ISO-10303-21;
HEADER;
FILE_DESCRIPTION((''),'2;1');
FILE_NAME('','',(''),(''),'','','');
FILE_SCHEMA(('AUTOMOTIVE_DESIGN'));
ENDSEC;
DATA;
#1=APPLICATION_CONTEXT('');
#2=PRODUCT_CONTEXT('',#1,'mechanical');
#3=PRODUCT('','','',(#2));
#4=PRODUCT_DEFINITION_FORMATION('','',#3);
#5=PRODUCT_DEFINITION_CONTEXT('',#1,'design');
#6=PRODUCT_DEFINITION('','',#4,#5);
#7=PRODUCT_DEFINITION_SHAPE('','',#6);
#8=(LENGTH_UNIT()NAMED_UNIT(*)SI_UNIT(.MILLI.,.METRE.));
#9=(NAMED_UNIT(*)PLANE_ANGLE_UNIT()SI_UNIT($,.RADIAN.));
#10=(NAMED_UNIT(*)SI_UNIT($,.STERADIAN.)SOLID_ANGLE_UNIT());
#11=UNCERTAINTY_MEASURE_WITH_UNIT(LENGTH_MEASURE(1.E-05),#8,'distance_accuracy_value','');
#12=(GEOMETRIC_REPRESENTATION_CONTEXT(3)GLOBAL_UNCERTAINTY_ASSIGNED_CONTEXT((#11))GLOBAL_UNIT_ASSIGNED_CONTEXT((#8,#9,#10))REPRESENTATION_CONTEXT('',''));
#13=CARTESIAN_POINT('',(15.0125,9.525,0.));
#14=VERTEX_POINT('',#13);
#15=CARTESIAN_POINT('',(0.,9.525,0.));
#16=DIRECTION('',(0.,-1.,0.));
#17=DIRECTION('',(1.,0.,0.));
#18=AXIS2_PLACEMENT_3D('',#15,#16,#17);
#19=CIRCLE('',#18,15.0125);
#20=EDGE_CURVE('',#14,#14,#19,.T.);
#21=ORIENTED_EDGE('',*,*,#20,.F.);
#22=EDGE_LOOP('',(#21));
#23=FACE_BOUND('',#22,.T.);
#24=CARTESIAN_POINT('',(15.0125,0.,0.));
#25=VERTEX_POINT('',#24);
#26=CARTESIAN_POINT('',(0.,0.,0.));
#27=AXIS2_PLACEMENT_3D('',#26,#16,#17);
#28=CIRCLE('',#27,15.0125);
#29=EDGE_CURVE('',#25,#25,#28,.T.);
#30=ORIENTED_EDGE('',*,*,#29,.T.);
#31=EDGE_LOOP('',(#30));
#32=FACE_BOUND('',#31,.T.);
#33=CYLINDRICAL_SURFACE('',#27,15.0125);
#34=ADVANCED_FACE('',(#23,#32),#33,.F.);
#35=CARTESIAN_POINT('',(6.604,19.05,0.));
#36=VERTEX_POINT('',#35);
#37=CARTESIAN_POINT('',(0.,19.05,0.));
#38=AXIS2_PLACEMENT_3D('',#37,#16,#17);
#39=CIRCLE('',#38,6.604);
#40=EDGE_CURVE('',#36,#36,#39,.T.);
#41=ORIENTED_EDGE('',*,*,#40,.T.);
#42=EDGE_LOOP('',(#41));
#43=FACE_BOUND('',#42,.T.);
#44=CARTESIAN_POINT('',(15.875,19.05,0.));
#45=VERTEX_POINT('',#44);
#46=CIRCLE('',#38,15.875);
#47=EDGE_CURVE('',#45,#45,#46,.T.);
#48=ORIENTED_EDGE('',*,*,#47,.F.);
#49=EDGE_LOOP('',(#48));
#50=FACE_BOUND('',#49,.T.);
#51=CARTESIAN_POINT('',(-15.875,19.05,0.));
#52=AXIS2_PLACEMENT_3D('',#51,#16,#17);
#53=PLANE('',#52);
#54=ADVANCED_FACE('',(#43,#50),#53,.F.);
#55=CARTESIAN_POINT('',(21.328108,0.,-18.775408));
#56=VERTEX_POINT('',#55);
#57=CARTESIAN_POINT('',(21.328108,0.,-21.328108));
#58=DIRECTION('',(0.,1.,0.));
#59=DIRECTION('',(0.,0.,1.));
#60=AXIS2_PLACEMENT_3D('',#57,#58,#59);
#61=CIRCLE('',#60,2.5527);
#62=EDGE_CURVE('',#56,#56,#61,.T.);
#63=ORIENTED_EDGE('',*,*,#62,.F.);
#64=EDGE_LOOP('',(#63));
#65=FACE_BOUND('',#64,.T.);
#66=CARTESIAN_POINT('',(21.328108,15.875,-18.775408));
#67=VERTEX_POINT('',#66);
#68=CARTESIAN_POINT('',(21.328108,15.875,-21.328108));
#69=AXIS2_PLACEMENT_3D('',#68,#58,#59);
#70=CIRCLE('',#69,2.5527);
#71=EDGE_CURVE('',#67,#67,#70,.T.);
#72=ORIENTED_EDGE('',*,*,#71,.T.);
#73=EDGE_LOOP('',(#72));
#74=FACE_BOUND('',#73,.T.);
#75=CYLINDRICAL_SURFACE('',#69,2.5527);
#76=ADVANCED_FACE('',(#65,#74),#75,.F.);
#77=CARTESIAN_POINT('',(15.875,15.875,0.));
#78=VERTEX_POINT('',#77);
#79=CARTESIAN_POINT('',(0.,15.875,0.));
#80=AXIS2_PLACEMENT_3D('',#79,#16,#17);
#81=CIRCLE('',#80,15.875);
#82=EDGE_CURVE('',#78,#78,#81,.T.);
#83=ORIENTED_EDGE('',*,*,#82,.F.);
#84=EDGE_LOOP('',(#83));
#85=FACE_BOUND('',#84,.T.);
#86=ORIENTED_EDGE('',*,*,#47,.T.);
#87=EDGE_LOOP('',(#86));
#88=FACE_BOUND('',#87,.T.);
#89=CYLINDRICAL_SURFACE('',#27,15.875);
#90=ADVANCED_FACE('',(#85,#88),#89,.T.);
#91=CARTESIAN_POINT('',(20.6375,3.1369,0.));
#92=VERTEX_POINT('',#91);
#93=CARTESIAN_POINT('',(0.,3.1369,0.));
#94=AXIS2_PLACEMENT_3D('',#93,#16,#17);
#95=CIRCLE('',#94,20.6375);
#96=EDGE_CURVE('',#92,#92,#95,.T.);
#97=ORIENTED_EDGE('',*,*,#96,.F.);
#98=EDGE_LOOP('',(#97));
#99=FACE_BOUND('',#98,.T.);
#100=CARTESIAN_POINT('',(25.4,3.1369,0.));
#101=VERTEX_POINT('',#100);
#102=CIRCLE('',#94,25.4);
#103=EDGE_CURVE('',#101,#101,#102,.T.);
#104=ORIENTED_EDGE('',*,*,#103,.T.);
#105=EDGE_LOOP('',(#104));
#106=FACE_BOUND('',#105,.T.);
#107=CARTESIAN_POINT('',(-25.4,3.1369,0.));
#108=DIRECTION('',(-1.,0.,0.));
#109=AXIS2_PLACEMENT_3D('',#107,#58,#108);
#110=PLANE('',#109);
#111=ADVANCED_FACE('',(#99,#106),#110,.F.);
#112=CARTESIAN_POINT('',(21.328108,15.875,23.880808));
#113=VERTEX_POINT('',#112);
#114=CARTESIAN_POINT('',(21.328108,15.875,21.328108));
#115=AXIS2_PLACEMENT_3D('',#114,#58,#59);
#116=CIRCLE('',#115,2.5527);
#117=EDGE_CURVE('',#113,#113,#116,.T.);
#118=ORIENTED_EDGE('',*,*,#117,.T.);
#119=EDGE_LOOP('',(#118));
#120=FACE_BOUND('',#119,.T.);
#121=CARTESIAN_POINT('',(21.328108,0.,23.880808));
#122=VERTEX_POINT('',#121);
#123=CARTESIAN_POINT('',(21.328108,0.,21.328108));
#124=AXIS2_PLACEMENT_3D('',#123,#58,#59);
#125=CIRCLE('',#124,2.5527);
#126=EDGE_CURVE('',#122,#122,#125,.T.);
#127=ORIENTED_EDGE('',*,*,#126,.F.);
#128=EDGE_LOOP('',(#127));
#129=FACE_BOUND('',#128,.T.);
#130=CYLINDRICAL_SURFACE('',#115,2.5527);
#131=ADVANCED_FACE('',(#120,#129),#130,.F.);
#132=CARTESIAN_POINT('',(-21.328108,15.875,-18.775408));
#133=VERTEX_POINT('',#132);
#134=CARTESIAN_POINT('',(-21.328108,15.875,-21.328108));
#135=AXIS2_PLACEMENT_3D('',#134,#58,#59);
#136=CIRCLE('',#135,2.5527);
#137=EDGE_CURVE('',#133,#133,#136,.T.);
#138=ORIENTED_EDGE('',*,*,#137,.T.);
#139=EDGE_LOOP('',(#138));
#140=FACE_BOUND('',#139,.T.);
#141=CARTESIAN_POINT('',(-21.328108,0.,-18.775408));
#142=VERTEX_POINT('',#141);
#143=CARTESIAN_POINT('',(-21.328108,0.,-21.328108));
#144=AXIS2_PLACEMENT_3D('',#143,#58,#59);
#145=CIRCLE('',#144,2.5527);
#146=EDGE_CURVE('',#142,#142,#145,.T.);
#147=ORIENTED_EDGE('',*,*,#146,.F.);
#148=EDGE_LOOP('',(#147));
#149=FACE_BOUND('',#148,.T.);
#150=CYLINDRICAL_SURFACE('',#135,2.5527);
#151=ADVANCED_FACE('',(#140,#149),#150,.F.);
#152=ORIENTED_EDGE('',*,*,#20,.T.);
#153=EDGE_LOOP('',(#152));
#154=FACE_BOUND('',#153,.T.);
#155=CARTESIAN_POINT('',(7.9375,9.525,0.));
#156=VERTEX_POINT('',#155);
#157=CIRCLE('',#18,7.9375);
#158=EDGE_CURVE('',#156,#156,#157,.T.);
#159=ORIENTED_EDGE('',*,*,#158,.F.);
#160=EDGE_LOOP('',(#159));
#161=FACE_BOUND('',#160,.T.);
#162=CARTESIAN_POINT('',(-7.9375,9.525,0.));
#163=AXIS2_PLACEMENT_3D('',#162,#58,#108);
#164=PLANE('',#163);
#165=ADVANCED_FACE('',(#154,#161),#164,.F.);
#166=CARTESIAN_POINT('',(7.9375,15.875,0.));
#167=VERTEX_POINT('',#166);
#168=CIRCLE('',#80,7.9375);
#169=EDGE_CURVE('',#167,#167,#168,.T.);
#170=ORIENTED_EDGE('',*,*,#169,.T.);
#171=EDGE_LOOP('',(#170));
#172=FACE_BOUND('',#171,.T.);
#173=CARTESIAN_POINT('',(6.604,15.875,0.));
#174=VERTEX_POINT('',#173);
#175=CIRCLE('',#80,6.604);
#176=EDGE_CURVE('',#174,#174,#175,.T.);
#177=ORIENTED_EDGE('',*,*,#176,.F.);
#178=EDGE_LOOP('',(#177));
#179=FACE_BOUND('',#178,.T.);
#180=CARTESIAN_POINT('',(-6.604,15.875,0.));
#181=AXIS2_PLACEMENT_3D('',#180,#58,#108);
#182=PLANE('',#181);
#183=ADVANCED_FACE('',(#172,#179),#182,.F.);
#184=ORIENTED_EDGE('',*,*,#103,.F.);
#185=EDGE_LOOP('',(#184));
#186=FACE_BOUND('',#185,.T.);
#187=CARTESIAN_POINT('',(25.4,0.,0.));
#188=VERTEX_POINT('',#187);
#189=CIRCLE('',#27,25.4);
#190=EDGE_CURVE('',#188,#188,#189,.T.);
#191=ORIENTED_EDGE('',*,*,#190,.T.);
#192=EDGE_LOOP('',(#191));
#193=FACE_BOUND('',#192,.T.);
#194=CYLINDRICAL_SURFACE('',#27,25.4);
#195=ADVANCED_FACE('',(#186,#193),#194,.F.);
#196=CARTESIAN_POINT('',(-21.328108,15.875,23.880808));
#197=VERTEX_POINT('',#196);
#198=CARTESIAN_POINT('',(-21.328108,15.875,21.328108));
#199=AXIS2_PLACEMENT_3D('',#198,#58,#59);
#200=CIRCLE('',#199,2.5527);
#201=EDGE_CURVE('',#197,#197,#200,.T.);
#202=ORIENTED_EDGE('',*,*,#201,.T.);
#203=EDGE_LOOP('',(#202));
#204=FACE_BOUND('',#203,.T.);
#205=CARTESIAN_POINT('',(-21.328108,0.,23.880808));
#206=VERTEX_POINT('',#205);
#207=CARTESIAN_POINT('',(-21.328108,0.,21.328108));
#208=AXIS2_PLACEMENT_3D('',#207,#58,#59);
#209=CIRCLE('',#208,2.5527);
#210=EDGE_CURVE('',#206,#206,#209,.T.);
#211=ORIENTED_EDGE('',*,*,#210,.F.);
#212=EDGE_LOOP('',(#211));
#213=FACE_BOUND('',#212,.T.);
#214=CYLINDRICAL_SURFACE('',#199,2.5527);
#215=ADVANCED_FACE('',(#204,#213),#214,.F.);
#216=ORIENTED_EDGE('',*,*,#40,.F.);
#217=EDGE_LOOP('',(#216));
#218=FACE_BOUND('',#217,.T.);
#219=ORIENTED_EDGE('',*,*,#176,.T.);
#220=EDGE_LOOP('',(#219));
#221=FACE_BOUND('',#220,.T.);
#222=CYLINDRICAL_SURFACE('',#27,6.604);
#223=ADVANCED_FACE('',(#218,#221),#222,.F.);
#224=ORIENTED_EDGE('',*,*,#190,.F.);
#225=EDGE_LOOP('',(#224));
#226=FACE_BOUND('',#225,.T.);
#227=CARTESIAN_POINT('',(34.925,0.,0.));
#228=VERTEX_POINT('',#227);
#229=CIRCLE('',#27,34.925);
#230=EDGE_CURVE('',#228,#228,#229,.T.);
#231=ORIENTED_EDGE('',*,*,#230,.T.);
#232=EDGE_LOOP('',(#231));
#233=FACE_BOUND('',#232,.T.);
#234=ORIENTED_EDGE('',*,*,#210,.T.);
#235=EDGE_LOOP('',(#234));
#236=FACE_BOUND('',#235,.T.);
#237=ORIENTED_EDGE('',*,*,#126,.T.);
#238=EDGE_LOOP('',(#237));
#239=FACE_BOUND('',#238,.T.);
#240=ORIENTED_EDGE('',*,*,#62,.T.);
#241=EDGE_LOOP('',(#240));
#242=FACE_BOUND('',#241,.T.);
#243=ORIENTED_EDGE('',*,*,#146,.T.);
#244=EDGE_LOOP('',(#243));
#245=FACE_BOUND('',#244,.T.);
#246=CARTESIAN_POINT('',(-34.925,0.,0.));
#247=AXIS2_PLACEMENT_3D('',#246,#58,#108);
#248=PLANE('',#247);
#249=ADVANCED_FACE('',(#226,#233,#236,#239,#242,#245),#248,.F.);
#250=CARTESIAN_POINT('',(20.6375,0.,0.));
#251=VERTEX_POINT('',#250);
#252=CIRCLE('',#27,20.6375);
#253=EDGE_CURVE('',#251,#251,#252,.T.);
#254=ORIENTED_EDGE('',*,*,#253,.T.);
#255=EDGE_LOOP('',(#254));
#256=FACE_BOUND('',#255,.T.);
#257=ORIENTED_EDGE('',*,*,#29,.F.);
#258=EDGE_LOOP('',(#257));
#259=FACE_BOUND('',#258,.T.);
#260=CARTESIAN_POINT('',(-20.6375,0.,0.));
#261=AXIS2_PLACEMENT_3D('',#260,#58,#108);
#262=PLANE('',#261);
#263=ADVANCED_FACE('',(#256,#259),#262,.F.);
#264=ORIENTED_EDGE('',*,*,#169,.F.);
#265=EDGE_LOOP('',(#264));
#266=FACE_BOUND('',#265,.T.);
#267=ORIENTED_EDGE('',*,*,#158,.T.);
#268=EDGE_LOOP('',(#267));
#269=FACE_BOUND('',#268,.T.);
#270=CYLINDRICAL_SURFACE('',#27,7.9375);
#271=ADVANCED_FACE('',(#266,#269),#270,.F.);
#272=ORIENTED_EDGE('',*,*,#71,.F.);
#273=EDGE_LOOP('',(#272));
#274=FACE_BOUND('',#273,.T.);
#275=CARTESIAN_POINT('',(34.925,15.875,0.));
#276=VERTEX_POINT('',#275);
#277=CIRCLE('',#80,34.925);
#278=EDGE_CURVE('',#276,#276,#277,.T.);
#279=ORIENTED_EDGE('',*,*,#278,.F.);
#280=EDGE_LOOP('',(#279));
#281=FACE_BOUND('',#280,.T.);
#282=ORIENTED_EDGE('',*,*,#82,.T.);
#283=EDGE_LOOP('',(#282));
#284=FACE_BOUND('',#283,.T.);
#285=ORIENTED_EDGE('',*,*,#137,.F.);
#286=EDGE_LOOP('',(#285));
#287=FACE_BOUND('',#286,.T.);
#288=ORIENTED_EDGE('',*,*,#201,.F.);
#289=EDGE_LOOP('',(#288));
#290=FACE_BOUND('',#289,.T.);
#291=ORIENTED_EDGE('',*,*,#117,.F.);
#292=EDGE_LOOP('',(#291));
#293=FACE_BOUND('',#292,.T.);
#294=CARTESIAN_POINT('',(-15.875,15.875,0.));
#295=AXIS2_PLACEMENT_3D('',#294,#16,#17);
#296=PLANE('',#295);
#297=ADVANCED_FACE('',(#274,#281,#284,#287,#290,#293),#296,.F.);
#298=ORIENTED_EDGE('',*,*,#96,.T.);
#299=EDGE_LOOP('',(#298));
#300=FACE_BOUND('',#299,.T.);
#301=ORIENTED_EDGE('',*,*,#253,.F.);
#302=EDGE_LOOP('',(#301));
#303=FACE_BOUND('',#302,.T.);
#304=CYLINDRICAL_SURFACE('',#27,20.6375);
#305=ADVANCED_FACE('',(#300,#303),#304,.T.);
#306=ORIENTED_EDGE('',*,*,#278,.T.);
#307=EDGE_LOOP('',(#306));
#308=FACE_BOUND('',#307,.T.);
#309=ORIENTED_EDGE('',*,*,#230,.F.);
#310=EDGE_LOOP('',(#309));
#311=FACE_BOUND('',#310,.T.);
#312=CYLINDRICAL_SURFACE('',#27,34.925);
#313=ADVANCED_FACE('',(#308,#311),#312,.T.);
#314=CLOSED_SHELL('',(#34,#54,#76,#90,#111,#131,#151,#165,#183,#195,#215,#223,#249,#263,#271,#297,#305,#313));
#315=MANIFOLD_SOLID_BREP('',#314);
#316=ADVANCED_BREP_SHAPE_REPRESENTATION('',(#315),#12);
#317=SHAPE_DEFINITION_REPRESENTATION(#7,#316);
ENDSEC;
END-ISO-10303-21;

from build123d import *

# Parameters (mm, degrees)
F_10_CLEARANCE_HOLE1_D = 5.1054


with BuildPart() as part:
    # Sketch1 → Revolve1 (revolve)
    with BuildSketch(Plane.XY):
        Polygon((-15.875, 19.05), (-6.604, 19.05), (-6.604, 15.875), (-7.9375, 15.875), (-7.9375, 9.525), (-15.0125, 9.525), (-15.0125, 0), (-20.6375, 0), (-20.6375, 3.1369), (-25.4, 3.1369), (-25.4, 0), (-34.925, 0), (-34.925, 15.875), (-15.875, 15.875), align=None)
    revolve(axis=Axis((0, 0, 0), (0, 1, 0)))

    # #10 Clearance Hole1 (through all)
    with Locations(Plane(origin=(0, 15.875, 0), x_dir=(1, 0, 0), z_dir=(0, 1, 0))):
        with Locations((-21.328108288, 21.328108288), (21.328108288, 21.328108288), (21.328108288, -21.328108288), (-21.328108288, -21.328108288)):
            Hole(F_10_CLEARANCE_HOLE1_D / 2)


solid = part.part
